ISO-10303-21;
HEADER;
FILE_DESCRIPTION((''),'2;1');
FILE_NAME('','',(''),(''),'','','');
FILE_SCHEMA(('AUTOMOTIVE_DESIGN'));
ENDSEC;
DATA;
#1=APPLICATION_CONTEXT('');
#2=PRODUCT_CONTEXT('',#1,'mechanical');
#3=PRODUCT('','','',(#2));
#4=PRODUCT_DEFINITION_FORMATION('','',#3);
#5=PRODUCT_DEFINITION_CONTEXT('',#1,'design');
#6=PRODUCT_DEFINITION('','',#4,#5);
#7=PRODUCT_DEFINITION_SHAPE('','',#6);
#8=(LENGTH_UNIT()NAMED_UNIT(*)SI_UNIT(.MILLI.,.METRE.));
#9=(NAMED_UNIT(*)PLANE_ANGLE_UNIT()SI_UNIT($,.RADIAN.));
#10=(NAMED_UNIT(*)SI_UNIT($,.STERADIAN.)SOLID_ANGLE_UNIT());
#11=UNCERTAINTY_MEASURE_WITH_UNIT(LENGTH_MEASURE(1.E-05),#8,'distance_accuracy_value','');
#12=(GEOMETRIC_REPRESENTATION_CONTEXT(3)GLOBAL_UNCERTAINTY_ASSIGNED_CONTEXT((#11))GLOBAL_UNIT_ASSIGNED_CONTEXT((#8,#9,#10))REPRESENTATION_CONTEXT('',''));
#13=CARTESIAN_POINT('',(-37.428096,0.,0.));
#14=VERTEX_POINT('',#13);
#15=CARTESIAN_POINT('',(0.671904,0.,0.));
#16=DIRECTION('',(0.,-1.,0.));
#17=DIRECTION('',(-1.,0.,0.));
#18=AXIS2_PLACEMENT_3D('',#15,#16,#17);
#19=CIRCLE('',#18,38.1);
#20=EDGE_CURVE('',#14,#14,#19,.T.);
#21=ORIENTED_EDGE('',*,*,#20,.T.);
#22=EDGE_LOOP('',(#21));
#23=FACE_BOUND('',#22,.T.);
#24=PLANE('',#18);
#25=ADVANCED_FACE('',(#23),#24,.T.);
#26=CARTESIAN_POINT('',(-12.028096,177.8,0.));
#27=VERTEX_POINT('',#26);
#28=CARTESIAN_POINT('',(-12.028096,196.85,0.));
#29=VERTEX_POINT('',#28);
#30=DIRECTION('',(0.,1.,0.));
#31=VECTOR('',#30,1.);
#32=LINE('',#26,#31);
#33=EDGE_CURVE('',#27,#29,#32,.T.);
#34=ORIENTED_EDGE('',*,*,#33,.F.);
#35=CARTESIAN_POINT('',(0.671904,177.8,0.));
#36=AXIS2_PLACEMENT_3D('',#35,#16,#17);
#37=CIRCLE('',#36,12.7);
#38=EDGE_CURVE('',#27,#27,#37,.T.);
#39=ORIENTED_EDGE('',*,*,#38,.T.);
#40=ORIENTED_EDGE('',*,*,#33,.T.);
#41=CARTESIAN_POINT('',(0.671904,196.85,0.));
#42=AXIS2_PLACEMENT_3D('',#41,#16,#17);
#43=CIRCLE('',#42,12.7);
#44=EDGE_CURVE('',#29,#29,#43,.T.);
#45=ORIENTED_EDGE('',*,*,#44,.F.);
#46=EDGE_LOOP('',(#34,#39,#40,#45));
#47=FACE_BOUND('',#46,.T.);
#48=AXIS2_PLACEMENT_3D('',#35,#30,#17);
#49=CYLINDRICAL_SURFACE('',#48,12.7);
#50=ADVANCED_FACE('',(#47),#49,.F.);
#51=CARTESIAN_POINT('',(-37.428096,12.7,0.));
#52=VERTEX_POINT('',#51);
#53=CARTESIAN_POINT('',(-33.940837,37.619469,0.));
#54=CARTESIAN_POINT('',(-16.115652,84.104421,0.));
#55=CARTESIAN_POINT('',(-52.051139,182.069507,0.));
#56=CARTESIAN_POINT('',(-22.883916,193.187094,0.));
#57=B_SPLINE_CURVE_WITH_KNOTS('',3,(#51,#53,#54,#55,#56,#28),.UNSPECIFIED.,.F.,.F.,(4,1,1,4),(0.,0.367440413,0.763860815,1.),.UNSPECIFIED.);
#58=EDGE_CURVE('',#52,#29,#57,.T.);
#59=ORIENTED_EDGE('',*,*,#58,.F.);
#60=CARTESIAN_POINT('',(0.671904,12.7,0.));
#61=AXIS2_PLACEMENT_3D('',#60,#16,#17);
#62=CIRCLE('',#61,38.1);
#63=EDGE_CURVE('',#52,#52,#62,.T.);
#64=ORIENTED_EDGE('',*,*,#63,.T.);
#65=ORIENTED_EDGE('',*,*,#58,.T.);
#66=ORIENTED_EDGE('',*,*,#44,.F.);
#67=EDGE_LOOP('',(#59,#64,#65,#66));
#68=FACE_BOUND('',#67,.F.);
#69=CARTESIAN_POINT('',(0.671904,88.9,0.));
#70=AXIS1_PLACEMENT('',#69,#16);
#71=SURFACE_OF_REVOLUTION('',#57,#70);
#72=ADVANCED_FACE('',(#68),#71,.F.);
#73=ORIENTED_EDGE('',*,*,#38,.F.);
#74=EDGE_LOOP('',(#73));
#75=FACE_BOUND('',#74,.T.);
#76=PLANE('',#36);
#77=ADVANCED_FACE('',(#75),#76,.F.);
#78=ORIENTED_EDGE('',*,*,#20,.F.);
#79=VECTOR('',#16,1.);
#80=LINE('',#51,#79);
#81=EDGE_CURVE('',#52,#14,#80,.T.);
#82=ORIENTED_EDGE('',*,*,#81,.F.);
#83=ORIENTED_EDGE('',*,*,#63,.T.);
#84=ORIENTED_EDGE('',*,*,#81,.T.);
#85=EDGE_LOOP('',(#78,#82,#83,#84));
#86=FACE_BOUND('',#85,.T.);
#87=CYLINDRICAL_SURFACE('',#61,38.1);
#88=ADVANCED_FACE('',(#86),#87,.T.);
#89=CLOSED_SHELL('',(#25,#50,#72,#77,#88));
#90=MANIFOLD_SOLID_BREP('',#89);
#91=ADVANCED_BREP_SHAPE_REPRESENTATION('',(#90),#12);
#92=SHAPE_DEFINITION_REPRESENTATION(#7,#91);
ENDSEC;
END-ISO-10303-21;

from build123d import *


with BuildPart() as f1:
    # F0 (on Top) → F1 (revolve)
    with BuildSketch(Plane.XY):
        with BuildLine():
            Line((-37.4280959368, 0), (0.6719040632, 0))
            Line((0.6719040632, 0), (0.6719040632, 177.8))
            Line((0.6719040632, 177.8), (-12.0280959368, 177.8))
            Line((-12.0280959368, 177.8), (-12.0280959368, 196.85))
            add(Edge.make_bspline(
                [(-37.4280959368, 12.7), (-33.940836514, 37.6194685348), (-16.1156521968, 84.1044214137), (-52.0511394583, 182.0695071111), (-22.8839161048, 193.1870937577), (-12.0280959368, 196.85)],
                knots=[0, 0, 0, 0, 0.3674404133, 0.7638608155, 1, 1, 1, 1], degree=3))
            Line((-37.4280959368, 12.7), (-37.4280959368, 0))
        make_face()
    revolve(axis=Axis((0.6719040632, 88.9, 0), (0, -1, 0)))


solid = f1.part
